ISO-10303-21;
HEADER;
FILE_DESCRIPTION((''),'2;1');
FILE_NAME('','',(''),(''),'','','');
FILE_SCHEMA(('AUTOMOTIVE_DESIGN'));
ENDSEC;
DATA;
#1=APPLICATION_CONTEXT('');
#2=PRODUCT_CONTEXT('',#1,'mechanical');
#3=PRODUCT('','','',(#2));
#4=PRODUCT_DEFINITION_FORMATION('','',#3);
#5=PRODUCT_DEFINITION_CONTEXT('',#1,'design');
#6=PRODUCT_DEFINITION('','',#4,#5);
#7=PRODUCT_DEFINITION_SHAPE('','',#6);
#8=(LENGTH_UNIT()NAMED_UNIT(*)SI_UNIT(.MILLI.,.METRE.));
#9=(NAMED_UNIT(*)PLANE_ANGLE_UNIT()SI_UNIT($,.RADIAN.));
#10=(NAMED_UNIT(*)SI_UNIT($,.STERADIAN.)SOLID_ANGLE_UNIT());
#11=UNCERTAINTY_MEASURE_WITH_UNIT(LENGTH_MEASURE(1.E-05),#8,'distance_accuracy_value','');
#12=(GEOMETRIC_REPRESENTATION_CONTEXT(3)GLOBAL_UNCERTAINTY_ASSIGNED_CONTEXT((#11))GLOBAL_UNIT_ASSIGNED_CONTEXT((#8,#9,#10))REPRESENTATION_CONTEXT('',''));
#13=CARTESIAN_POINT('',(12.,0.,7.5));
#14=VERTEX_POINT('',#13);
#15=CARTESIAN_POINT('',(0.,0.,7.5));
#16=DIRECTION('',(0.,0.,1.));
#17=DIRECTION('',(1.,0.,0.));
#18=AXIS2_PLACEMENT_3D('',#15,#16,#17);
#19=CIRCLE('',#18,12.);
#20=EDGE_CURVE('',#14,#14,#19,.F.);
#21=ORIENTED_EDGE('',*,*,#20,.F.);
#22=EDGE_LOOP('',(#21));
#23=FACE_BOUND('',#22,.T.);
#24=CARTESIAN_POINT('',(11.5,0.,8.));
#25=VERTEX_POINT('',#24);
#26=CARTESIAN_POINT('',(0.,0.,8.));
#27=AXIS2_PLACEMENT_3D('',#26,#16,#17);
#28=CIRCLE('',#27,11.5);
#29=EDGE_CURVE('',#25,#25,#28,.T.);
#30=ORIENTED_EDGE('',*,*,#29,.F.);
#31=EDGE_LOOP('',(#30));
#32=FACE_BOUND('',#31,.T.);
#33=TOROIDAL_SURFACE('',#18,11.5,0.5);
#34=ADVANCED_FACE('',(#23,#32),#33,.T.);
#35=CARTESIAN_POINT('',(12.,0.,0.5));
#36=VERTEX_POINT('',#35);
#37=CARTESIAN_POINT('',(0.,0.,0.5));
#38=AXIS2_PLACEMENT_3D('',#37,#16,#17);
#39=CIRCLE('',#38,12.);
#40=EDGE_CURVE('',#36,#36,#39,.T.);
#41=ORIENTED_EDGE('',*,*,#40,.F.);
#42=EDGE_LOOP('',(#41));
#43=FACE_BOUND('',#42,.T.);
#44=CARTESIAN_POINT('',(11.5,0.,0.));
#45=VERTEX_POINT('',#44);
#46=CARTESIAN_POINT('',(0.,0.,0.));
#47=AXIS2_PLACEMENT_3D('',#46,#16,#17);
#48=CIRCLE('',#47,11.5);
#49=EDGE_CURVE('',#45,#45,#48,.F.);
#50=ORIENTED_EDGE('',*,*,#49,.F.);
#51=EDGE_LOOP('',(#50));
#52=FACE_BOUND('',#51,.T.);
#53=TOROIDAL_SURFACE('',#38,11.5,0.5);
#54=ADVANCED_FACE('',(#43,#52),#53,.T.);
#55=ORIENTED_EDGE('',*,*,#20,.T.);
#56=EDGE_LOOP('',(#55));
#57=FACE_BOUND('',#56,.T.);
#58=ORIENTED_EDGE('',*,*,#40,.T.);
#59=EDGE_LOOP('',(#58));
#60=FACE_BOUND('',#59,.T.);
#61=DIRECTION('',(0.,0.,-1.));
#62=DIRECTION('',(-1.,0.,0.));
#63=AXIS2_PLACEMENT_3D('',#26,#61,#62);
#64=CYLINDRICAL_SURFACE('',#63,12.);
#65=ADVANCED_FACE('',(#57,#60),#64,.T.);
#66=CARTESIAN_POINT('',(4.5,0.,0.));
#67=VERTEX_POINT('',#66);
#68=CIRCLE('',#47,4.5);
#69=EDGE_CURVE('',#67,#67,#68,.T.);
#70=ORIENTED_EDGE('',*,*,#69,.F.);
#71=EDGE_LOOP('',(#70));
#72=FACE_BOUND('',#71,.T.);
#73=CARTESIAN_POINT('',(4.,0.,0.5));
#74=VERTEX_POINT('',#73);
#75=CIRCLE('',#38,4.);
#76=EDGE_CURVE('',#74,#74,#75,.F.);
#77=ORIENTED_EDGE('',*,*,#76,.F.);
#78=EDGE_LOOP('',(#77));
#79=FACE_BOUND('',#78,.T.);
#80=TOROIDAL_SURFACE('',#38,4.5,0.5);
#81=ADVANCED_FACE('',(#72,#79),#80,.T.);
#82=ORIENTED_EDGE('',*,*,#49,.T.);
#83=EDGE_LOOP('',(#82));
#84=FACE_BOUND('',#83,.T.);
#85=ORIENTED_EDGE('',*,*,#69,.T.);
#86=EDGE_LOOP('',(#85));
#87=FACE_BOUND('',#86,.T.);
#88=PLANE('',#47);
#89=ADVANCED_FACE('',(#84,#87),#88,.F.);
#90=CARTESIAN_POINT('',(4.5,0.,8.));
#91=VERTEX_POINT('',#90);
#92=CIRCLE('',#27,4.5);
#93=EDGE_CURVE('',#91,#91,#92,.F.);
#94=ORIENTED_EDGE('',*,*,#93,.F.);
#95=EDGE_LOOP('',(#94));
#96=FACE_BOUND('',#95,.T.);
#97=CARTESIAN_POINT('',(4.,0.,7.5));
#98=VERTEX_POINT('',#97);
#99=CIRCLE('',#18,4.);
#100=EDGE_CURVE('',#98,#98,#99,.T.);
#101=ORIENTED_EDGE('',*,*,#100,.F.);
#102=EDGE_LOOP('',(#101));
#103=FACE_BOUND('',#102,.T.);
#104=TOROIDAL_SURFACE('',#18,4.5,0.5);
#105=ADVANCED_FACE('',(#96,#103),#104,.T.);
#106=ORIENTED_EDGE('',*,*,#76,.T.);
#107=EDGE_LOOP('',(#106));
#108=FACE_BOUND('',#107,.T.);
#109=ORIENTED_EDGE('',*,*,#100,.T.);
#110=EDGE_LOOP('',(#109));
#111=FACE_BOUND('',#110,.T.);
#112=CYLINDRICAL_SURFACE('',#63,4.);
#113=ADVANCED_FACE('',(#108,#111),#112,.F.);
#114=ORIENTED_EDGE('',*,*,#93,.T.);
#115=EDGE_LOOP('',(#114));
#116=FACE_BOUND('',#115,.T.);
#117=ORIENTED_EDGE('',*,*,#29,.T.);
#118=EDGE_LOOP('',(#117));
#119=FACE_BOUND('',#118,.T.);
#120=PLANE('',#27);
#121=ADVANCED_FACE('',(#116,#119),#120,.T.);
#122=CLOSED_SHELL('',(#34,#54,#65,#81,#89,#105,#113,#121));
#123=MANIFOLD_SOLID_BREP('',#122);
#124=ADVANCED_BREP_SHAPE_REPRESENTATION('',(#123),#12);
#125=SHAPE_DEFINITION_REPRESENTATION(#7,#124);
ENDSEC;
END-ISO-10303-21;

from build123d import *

# Parameters (mm, degrees)
CROQUIS1_R              = 12
CROQUIS1_R_2            = 4
SALIENTE_EXTRUIR1_DEPTH = 8
REDONDEO1_R             = 0.5


with BuildPart() as part:
    # Croquis1 → Saliente-Extruir1 (new body)
    with BuildSketch(Plane.XY):
        Circle(CROQUIS1_R)
        Circle(CROQUIS1_R_2, mode=Mode.SUBTRACT)
    extrude(amount=SALIENTE_EXTRUIR1_DEPTH)

    # Redondeo1
    redondeo1_edges = [part.edges().sort_by_distance(p)[0] for p in [
        (-12, 0, 0),
        (-12, 0, 8),
        (-4, 0, 0),
        (-4, 0, 8),
    ]]
    fillet(redondeo1_edges, radius=REDONDEO1_R)


solid = part.part
